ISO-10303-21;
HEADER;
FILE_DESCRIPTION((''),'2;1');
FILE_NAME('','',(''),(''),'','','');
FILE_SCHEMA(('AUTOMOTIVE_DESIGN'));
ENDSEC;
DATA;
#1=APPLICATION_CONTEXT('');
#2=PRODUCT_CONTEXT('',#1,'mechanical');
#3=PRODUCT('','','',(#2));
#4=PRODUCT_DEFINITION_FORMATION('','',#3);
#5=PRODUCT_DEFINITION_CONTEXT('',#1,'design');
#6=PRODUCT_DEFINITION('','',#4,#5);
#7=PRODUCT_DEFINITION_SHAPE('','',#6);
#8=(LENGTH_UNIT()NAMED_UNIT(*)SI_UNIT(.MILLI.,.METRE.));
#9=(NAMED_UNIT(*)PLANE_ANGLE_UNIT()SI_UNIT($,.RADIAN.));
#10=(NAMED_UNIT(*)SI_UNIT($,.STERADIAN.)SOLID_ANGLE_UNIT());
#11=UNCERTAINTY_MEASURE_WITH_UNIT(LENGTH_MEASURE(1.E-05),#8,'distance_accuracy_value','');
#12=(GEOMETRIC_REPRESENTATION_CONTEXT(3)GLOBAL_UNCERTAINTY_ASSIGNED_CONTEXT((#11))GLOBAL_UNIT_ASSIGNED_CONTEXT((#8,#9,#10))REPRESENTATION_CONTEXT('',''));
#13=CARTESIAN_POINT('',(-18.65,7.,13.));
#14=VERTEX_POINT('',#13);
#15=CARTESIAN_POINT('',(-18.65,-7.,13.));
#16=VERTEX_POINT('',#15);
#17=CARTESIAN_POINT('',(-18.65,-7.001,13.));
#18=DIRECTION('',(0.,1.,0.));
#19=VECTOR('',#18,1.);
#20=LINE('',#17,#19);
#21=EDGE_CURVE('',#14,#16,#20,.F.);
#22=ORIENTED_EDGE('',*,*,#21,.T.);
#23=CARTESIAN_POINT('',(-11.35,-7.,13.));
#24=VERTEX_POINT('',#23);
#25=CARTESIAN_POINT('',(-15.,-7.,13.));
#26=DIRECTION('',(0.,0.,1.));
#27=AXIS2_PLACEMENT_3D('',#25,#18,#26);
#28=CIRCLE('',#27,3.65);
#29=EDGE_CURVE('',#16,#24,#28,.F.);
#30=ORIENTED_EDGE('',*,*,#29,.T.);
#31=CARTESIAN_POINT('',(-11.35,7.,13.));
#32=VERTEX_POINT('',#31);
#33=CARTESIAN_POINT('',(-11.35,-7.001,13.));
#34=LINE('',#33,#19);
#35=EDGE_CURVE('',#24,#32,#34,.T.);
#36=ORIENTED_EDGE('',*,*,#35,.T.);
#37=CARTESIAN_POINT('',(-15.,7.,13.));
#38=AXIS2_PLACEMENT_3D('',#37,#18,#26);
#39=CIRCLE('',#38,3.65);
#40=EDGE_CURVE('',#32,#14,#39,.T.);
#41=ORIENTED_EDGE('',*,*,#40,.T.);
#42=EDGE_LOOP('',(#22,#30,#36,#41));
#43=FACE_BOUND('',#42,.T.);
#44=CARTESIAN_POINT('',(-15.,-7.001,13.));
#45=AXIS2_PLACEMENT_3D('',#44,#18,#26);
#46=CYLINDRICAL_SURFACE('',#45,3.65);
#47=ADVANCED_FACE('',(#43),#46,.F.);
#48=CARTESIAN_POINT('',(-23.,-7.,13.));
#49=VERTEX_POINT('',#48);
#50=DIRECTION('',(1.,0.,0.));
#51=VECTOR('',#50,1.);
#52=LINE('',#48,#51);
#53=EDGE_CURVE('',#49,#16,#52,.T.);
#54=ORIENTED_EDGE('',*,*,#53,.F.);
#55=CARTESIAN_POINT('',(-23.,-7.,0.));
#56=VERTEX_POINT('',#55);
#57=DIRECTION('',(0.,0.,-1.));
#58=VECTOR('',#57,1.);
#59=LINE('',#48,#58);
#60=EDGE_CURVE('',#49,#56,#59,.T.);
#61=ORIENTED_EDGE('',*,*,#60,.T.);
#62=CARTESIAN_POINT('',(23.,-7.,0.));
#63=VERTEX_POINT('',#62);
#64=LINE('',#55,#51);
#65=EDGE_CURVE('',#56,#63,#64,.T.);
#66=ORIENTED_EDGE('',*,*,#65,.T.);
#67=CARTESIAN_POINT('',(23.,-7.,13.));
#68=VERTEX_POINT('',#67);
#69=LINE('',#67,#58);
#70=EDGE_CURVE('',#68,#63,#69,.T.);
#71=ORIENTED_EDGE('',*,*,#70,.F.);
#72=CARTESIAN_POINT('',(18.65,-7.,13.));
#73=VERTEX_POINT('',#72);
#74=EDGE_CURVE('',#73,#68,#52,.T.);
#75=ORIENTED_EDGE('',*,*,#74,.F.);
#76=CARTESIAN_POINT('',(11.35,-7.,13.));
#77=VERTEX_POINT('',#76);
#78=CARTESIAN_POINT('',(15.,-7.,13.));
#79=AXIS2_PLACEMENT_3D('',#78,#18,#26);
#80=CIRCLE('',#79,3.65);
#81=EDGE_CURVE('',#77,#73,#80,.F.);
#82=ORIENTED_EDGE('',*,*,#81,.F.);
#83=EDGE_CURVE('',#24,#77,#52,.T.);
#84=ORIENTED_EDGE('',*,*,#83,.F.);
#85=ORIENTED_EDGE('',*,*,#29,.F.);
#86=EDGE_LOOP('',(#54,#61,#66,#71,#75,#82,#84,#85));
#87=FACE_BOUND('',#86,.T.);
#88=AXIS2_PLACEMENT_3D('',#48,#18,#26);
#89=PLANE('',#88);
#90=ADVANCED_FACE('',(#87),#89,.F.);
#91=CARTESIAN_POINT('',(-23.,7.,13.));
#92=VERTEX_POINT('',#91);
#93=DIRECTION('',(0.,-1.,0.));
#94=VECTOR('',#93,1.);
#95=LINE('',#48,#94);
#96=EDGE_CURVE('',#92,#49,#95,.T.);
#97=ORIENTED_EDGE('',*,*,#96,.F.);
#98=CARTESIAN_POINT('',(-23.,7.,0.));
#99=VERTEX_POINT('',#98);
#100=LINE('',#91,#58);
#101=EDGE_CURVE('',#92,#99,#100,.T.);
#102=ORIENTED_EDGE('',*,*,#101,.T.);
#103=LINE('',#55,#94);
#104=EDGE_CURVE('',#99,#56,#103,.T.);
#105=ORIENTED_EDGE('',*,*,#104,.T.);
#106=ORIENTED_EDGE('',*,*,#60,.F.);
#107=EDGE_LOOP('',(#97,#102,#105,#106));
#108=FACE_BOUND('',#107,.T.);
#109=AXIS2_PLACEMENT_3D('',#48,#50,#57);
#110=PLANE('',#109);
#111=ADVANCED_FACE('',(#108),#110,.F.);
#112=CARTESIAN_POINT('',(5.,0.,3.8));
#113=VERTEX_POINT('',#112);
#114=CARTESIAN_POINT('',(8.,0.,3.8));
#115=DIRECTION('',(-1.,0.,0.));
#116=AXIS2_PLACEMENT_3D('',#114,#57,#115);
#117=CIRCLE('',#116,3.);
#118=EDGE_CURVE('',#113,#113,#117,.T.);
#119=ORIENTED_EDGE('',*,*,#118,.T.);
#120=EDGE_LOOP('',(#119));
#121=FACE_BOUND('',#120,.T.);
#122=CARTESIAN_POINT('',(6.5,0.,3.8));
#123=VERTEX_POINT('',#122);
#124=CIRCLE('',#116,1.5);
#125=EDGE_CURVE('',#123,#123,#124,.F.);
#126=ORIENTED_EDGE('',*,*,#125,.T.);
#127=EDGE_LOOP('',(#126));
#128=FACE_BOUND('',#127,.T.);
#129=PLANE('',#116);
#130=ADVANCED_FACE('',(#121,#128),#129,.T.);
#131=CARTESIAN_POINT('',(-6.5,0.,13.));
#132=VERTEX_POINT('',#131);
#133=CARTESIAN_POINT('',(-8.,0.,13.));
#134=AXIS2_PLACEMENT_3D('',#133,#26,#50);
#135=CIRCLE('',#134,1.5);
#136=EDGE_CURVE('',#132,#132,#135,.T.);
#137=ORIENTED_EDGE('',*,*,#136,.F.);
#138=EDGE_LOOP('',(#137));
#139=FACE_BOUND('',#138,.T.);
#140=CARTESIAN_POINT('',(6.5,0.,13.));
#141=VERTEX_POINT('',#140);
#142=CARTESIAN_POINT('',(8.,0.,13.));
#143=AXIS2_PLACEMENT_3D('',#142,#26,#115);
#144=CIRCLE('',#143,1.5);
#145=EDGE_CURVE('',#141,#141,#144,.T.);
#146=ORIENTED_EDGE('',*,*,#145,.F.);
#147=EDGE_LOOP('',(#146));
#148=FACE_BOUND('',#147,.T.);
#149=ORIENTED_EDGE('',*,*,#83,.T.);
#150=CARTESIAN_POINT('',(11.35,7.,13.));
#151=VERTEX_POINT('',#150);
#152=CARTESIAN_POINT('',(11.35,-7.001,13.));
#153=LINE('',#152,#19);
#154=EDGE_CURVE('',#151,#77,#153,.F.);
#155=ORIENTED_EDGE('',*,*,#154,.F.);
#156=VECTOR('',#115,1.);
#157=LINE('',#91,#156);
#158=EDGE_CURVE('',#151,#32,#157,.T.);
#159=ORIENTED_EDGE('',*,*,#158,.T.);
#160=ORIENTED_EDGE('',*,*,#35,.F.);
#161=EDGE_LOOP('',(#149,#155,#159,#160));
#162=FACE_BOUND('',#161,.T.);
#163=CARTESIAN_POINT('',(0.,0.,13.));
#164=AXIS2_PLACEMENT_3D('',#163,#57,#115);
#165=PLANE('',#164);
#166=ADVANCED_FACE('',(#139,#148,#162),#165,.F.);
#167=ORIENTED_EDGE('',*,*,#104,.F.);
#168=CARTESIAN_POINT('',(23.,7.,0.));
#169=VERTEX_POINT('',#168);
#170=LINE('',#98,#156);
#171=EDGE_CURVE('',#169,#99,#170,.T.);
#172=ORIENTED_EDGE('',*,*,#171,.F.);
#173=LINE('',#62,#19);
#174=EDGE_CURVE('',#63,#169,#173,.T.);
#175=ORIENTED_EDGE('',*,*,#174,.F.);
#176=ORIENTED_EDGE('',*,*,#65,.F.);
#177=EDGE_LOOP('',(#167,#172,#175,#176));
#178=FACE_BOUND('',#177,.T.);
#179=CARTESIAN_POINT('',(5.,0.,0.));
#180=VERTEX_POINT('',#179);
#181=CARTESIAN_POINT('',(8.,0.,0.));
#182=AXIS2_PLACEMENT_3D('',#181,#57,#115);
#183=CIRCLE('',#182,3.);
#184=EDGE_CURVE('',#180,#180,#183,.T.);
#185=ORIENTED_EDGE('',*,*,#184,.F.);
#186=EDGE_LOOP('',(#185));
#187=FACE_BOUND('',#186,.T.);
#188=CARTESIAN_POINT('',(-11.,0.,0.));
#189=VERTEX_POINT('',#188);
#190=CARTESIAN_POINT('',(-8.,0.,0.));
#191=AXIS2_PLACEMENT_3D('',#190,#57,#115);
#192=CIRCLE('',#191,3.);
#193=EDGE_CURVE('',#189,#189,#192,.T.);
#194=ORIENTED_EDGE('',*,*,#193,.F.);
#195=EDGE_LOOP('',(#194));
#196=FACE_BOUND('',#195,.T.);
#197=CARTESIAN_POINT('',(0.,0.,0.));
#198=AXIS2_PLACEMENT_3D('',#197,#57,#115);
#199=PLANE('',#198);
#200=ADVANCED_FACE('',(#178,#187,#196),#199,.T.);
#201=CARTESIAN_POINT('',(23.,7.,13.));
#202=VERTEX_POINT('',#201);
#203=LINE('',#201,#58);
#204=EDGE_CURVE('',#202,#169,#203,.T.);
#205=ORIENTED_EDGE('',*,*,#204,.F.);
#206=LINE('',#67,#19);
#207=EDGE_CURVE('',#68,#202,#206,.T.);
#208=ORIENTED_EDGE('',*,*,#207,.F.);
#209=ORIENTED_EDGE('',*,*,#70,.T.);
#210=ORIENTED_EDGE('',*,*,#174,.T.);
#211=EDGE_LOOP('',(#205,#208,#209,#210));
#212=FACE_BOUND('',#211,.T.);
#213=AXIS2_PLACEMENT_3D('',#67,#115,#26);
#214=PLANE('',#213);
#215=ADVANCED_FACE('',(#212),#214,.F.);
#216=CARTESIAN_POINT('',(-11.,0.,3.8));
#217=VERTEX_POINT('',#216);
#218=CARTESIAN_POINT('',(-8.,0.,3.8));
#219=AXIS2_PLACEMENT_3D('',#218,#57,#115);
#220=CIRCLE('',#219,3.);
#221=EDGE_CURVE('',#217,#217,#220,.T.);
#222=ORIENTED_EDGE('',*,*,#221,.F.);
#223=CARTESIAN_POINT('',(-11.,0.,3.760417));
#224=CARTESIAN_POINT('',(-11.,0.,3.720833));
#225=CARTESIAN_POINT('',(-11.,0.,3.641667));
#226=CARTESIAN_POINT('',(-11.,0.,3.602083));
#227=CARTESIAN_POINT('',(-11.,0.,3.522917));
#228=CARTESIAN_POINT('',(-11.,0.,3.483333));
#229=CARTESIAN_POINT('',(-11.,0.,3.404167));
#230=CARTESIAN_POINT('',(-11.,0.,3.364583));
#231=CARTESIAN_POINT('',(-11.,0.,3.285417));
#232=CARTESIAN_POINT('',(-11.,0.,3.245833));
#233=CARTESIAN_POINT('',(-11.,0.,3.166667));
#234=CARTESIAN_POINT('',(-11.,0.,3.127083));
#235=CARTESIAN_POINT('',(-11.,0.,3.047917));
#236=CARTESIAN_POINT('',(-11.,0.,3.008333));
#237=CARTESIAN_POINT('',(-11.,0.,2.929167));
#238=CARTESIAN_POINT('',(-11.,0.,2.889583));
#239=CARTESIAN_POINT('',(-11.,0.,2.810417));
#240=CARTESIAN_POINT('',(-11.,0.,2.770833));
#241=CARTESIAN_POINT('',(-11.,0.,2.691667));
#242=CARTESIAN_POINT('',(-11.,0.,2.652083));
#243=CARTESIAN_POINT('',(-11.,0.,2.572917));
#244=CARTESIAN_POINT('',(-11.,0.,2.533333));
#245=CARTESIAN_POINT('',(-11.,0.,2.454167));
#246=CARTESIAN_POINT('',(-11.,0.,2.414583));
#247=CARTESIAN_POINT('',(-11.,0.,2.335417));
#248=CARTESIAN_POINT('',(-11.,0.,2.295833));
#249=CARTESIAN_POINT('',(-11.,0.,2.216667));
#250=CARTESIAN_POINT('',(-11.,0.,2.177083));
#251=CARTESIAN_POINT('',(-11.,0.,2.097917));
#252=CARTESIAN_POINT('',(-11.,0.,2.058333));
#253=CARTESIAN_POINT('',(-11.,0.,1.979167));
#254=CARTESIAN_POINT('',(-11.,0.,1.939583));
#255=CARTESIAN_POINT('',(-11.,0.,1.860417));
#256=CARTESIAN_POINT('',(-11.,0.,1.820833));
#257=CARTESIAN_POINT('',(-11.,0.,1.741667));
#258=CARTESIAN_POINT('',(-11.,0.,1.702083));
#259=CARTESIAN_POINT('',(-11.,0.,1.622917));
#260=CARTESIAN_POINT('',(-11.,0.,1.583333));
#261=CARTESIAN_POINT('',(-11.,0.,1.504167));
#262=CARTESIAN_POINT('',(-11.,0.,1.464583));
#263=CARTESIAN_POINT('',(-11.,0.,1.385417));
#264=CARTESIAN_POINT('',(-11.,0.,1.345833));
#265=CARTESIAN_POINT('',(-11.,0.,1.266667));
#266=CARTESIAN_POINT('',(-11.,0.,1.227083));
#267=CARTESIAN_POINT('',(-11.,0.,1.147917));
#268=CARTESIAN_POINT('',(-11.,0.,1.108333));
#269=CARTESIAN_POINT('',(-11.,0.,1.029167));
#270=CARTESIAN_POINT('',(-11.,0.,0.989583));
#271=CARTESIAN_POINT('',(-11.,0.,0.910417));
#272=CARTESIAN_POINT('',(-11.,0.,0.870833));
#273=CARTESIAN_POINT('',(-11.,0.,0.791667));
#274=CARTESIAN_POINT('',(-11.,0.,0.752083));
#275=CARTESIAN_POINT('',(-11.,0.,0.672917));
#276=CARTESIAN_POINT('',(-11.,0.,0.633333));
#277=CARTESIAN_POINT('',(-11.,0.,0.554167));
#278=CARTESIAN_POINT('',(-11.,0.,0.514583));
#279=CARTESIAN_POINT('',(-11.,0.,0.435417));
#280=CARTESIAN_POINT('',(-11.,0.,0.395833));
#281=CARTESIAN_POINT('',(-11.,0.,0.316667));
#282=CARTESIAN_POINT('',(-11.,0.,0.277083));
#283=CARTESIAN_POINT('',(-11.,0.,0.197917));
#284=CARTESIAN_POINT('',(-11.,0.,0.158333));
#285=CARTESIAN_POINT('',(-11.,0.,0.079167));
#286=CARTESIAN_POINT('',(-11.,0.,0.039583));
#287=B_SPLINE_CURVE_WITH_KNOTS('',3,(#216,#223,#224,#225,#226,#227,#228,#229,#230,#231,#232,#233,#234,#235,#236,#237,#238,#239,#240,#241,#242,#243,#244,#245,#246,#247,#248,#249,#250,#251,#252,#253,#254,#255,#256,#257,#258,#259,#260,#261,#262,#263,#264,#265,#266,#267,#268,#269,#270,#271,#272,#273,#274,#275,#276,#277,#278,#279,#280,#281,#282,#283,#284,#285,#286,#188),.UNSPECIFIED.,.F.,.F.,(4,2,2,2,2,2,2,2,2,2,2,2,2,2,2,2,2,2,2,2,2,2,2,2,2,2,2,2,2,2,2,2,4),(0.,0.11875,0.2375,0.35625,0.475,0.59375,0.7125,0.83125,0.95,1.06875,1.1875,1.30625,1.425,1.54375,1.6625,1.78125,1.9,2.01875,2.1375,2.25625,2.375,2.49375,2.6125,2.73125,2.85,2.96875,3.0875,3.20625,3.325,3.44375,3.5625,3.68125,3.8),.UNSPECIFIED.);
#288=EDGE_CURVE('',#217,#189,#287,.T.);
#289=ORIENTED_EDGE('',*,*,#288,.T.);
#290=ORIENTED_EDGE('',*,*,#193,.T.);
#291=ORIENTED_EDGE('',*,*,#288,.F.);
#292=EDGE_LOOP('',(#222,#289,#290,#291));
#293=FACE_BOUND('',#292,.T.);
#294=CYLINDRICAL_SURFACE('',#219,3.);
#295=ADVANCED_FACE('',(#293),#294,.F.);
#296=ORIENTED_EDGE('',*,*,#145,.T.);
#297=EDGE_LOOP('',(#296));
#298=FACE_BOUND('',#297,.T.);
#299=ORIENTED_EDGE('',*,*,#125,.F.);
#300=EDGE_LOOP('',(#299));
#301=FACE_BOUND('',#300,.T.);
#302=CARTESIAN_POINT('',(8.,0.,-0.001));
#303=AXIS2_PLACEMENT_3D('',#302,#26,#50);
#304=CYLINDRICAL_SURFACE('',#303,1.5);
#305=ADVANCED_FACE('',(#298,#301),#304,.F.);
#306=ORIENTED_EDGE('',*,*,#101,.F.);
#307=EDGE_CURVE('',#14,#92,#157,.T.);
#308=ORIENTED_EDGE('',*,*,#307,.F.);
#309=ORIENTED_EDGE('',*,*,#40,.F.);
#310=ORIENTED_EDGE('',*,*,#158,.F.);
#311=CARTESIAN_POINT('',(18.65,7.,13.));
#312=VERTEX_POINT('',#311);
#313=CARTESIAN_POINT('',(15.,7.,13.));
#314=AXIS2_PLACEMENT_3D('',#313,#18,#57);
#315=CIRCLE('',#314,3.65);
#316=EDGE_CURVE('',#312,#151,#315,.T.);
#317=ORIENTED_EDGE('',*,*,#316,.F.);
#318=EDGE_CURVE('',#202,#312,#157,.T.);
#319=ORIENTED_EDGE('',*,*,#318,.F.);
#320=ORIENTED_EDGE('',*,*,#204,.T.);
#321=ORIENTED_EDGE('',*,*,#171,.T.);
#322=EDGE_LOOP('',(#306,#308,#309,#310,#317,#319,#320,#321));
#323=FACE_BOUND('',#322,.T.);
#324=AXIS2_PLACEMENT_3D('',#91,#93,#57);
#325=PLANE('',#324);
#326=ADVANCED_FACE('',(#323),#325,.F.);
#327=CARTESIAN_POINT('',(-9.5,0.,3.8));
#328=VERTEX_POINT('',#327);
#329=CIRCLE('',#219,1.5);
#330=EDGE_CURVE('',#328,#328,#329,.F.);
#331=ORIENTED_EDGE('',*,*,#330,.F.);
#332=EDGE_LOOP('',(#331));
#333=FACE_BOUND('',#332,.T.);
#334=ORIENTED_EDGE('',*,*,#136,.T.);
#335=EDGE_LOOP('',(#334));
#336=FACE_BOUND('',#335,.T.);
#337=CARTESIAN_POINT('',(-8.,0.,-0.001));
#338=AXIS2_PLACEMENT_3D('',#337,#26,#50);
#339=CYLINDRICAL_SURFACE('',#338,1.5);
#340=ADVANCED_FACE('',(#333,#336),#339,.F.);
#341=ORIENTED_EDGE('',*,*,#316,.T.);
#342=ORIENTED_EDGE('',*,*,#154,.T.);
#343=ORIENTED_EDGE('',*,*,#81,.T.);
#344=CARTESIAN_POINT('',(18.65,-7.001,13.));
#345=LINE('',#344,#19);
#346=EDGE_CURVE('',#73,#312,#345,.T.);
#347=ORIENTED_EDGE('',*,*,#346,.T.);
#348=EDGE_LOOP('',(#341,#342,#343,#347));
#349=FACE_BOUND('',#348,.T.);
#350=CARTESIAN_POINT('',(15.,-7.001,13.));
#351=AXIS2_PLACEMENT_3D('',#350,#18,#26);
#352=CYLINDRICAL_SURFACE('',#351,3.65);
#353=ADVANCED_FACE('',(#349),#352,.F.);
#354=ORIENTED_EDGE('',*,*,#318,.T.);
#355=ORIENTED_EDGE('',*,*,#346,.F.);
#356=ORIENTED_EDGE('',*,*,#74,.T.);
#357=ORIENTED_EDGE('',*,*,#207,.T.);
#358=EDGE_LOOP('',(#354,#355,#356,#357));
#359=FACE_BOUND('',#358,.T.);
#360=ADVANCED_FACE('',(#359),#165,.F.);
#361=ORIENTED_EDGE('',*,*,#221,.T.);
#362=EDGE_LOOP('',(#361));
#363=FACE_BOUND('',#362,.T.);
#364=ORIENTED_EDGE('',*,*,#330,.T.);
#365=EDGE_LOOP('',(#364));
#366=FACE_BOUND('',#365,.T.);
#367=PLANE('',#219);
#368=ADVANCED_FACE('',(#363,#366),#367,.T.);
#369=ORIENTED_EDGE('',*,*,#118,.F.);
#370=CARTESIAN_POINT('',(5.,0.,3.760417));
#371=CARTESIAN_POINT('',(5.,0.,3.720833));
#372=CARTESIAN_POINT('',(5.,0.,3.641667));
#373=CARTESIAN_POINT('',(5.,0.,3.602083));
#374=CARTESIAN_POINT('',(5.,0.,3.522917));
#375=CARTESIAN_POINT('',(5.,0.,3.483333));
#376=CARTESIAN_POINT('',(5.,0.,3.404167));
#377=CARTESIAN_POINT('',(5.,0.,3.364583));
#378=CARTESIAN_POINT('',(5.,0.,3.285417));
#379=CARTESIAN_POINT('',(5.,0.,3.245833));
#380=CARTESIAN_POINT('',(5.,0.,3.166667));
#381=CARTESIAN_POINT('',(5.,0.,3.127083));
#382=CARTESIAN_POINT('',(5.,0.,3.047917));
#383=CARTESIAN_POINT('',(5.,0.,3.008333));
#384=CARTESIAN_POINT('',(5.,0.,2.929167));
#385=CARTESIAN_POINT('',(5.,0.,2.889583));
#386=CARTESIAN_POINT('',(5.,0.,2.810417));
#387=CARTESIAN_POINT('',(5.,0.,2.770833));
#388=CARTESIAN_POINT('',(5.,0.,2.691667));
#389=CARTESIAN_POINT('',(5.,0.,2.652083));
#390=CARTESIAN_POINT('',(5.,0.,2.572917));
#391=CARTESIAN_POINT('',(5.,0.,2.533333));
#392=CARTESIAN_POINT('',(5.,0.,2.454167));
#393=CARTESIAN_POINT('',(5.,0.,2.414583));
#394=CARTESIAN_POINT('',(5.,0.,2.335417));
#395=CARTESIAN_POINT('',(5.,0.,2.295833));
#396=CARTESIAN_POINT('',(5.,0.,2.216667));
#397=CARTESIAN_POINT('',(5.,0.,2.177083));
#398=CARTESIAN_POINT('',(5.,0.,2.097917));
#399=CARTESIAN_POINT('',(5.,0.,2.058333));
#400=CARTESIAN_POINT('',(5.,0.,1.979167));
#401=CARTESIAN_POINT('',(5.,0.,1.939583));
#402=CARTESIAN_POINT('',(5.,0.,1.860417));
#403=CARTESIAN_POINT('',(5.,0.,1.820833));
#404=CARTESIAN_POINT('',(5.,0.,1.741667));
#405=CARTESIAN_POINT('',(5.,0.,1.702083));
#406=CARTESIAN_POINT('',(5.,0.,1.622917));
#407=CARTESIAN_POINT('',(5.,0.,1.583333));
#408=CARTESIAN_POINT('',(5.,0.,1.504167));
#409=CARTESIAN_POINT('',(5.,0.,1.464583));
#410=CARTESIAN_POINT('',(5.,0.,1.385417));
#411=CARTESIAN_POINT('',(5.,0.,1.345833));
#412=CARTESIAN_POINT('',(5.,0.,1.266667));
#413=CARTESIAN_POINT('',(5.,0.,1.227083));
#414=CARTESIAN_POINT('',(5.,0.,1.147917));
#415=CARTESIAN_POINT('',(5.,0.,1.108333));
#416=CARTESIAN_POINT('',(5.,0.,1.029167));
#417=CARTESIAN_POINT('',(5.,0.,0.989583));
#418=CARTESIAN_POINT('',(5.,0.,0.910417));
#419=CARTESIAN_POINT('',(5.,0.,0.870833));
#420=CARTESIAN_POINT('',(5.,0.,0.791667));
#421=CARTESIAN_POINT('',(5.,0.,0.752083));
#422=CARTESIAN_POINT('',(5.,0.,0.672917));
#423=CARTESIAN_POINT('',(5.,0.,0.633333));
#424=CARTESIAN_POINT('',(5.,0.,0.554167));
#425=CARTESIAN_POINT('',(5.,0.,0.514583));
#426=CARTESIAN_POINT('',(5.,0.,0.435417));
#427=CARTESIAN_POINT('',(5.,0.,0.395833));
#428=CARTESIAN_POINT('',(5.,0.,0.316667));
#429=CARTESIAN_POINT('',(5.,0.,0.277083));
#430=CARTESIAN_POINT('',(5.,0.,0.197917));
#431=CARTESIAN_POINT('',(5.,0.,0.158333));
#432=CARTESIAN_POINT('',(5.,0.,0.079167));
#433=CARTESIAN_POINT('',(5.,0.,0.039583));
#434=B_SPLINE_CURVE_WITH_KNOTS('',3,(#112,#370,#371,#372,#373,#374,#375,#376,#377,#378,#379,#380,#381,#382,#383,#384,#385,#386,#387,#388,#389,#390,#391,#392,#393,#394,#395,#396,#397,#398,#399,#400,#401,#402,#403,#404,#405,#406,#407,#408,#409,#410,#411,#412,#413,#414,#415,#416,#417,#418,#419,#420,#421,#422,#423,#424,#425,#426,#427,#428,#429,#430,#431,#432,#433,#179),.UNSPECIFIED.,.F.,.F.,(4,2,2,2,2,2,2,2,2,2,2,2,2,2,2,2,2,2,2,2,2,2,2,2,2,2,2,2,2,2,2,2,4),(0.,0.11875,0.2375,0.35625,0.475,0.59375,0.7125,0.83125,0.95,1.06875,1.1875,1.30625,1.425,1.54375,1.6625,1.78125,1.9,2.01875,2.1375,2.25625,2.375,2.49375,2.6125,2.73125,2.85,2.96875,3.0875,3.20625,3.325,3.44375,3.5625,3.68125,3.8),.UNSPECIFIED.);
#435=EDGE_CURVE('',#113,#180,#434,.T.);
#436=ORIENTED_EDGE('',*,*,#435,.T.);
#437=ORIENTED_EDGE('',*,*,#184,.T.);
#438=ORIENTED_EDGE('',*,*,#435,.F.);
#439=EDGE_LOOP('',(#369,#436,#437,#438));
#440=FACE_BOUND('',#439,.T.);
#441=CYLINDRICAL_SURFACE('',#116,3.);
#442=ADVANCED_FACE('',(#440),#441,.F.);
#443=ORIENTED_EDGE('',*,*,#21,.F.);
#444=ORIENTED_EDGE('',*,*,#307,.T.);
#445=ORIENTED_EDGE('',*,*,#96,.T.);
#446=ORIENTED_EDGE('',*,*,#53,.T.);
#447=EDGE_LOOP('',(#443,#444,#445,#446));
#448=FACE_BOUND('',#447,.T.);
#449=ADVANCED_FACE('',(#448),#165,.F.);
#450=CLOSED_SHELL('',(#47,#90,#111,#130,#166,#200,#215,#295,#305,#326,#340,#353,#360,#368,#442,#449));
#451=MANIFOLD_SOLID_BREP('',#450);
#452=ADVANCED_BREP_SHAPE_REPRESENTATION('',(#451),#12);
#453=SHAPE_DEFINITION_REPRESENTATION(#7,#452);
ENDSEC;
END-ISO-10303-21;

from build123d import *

# Parameters (mm, degrees)
SKETCH_1_W          = 46
SKETCH_1_H          = 14
EXTRUDE_1_DEPTH     = 13
CUT_EXTRUDE_1_REACH = 29.331
SKETCH_2_R          = 1.5
CUT_EXTRUDE_2_REACH = 31.9
SKETCH_3_R          = 3.65
SKETCH_4_R          = 3
CUT_EXTRUDE_3_DEPTH = 3.8


with BuildPart() as part:
    # Эскиз1 → Бобышка-Вытянуть1 (new body)
    with BuildSketch(Plane.XY):
        Rectangle(SKETCH_1_W, SKETCH_1_H)
    extrude(amount=EXTRUDE_1_DEPTH)

    # Эскиз2 → Вырез-Вытянуть1 (cut, up to next)
    with BuildSketch(Plane.XY.offset(13), mode=Mode.PRIVATE) as cut_extrude_1_sk1:
        with Locations((-8, 0)):
            Circle(SKETCH_2_R)
    cut_extrude_1_tool1 = extrude(cut_extrude_1_sk1.sketch, amount=-CUT_EXTRUDE_1_REACH, mode=Mode.PRIVATE) & part.part
    # Эскиз2 → Вырез-Вытянуть1 (cut, up to next)
    with BuildSketch(Plane.XY.offset(13), mode=Mode.PRIVATE) as cut_extrude_1_sk2:
        with Locations(Location((8, 0, 0), (0, 0, 180))):
            Circle(SKETCH_2_R)
    cut_extrude_1_tool2 = extrude(cut_extrude_1_sk2.sketch, amount=-CUT_EXTRUDE_1_REACH, mode=Mode.PRIVATE) & part.part
    add(cut_extrude_1_tool1.solids().sort_by_distance((-8, 0, 13))[0], mode=Mode.SUBTRACT)
    add(cut_extrude_1_tool2.solids().sort_by_distance((8, 0, 13))[0], mode=Mode.SUBTRACT)

    # Эскиз3 → Вырез-Вытянуть2 (cut, up to next)
    with BuildSketch(Plane(origin=(0, 7, 0), x_dir=(1, 0, 0), z_dir=(0, 1, 0)), mode=Mode.PRIVATE) as cut_extrude_2_sk1:
        with Locations((-15, -13)):
            Circle(SKETCH_3_R)
    cut_extrude_2_tool1 = extrude(cut_extrude_2_sk1.sketch, amount=-CUT_EXTRUDE_2_REACH, mode=Mode.PRIVATE) & part.part
    # Эскиз3 → Вырез-Вытянуть2 (cut, up to next)
    with BuildSketch(Plane(origin=(0, 7, 0), x_dir=(1, 0, 0), z_dir=(0, 1, 0)), mode=Mode.PRIVATE) as cut_extrude_2_sk2:
        with Locations((15, -13)):
            Circle(SKETCH_3_R)
    cut_extrude_2_tool2 = extrude(cut_extrude_2_sk2.sketch, amount=-CUT_EXTRUDE_2_REACH, mode=Mode.PRIVATE) & part.part
    add(cut_extrude_2_tool1.solids().sort_by_distance((-15, 7, 13))[0], mode=Mode.SUBTRACT)
    add(cut_extrude_2_tool2.solids().sort_by_distance((15, 7, 13))[0], mode=Mode.SUBTRACT)

    # Эскиз4 → Вырез-Вытянуть3 (cut)
    with BuildSketch(Plane(origin=(0, 0, 0), x_dir=(-1, 0, 0), z_dir=(0, 0, -1))):
        with Locations((-8, 0)):
            Circle(SKETCH_4_R)
        with Locations((8, 0)):
            Circle(SKETCH_4_R)
    extrude(amount=-CUT_EXTRUDE_3_DEPTH, mode=Mode.SUBTRACT)


solid = part.part
